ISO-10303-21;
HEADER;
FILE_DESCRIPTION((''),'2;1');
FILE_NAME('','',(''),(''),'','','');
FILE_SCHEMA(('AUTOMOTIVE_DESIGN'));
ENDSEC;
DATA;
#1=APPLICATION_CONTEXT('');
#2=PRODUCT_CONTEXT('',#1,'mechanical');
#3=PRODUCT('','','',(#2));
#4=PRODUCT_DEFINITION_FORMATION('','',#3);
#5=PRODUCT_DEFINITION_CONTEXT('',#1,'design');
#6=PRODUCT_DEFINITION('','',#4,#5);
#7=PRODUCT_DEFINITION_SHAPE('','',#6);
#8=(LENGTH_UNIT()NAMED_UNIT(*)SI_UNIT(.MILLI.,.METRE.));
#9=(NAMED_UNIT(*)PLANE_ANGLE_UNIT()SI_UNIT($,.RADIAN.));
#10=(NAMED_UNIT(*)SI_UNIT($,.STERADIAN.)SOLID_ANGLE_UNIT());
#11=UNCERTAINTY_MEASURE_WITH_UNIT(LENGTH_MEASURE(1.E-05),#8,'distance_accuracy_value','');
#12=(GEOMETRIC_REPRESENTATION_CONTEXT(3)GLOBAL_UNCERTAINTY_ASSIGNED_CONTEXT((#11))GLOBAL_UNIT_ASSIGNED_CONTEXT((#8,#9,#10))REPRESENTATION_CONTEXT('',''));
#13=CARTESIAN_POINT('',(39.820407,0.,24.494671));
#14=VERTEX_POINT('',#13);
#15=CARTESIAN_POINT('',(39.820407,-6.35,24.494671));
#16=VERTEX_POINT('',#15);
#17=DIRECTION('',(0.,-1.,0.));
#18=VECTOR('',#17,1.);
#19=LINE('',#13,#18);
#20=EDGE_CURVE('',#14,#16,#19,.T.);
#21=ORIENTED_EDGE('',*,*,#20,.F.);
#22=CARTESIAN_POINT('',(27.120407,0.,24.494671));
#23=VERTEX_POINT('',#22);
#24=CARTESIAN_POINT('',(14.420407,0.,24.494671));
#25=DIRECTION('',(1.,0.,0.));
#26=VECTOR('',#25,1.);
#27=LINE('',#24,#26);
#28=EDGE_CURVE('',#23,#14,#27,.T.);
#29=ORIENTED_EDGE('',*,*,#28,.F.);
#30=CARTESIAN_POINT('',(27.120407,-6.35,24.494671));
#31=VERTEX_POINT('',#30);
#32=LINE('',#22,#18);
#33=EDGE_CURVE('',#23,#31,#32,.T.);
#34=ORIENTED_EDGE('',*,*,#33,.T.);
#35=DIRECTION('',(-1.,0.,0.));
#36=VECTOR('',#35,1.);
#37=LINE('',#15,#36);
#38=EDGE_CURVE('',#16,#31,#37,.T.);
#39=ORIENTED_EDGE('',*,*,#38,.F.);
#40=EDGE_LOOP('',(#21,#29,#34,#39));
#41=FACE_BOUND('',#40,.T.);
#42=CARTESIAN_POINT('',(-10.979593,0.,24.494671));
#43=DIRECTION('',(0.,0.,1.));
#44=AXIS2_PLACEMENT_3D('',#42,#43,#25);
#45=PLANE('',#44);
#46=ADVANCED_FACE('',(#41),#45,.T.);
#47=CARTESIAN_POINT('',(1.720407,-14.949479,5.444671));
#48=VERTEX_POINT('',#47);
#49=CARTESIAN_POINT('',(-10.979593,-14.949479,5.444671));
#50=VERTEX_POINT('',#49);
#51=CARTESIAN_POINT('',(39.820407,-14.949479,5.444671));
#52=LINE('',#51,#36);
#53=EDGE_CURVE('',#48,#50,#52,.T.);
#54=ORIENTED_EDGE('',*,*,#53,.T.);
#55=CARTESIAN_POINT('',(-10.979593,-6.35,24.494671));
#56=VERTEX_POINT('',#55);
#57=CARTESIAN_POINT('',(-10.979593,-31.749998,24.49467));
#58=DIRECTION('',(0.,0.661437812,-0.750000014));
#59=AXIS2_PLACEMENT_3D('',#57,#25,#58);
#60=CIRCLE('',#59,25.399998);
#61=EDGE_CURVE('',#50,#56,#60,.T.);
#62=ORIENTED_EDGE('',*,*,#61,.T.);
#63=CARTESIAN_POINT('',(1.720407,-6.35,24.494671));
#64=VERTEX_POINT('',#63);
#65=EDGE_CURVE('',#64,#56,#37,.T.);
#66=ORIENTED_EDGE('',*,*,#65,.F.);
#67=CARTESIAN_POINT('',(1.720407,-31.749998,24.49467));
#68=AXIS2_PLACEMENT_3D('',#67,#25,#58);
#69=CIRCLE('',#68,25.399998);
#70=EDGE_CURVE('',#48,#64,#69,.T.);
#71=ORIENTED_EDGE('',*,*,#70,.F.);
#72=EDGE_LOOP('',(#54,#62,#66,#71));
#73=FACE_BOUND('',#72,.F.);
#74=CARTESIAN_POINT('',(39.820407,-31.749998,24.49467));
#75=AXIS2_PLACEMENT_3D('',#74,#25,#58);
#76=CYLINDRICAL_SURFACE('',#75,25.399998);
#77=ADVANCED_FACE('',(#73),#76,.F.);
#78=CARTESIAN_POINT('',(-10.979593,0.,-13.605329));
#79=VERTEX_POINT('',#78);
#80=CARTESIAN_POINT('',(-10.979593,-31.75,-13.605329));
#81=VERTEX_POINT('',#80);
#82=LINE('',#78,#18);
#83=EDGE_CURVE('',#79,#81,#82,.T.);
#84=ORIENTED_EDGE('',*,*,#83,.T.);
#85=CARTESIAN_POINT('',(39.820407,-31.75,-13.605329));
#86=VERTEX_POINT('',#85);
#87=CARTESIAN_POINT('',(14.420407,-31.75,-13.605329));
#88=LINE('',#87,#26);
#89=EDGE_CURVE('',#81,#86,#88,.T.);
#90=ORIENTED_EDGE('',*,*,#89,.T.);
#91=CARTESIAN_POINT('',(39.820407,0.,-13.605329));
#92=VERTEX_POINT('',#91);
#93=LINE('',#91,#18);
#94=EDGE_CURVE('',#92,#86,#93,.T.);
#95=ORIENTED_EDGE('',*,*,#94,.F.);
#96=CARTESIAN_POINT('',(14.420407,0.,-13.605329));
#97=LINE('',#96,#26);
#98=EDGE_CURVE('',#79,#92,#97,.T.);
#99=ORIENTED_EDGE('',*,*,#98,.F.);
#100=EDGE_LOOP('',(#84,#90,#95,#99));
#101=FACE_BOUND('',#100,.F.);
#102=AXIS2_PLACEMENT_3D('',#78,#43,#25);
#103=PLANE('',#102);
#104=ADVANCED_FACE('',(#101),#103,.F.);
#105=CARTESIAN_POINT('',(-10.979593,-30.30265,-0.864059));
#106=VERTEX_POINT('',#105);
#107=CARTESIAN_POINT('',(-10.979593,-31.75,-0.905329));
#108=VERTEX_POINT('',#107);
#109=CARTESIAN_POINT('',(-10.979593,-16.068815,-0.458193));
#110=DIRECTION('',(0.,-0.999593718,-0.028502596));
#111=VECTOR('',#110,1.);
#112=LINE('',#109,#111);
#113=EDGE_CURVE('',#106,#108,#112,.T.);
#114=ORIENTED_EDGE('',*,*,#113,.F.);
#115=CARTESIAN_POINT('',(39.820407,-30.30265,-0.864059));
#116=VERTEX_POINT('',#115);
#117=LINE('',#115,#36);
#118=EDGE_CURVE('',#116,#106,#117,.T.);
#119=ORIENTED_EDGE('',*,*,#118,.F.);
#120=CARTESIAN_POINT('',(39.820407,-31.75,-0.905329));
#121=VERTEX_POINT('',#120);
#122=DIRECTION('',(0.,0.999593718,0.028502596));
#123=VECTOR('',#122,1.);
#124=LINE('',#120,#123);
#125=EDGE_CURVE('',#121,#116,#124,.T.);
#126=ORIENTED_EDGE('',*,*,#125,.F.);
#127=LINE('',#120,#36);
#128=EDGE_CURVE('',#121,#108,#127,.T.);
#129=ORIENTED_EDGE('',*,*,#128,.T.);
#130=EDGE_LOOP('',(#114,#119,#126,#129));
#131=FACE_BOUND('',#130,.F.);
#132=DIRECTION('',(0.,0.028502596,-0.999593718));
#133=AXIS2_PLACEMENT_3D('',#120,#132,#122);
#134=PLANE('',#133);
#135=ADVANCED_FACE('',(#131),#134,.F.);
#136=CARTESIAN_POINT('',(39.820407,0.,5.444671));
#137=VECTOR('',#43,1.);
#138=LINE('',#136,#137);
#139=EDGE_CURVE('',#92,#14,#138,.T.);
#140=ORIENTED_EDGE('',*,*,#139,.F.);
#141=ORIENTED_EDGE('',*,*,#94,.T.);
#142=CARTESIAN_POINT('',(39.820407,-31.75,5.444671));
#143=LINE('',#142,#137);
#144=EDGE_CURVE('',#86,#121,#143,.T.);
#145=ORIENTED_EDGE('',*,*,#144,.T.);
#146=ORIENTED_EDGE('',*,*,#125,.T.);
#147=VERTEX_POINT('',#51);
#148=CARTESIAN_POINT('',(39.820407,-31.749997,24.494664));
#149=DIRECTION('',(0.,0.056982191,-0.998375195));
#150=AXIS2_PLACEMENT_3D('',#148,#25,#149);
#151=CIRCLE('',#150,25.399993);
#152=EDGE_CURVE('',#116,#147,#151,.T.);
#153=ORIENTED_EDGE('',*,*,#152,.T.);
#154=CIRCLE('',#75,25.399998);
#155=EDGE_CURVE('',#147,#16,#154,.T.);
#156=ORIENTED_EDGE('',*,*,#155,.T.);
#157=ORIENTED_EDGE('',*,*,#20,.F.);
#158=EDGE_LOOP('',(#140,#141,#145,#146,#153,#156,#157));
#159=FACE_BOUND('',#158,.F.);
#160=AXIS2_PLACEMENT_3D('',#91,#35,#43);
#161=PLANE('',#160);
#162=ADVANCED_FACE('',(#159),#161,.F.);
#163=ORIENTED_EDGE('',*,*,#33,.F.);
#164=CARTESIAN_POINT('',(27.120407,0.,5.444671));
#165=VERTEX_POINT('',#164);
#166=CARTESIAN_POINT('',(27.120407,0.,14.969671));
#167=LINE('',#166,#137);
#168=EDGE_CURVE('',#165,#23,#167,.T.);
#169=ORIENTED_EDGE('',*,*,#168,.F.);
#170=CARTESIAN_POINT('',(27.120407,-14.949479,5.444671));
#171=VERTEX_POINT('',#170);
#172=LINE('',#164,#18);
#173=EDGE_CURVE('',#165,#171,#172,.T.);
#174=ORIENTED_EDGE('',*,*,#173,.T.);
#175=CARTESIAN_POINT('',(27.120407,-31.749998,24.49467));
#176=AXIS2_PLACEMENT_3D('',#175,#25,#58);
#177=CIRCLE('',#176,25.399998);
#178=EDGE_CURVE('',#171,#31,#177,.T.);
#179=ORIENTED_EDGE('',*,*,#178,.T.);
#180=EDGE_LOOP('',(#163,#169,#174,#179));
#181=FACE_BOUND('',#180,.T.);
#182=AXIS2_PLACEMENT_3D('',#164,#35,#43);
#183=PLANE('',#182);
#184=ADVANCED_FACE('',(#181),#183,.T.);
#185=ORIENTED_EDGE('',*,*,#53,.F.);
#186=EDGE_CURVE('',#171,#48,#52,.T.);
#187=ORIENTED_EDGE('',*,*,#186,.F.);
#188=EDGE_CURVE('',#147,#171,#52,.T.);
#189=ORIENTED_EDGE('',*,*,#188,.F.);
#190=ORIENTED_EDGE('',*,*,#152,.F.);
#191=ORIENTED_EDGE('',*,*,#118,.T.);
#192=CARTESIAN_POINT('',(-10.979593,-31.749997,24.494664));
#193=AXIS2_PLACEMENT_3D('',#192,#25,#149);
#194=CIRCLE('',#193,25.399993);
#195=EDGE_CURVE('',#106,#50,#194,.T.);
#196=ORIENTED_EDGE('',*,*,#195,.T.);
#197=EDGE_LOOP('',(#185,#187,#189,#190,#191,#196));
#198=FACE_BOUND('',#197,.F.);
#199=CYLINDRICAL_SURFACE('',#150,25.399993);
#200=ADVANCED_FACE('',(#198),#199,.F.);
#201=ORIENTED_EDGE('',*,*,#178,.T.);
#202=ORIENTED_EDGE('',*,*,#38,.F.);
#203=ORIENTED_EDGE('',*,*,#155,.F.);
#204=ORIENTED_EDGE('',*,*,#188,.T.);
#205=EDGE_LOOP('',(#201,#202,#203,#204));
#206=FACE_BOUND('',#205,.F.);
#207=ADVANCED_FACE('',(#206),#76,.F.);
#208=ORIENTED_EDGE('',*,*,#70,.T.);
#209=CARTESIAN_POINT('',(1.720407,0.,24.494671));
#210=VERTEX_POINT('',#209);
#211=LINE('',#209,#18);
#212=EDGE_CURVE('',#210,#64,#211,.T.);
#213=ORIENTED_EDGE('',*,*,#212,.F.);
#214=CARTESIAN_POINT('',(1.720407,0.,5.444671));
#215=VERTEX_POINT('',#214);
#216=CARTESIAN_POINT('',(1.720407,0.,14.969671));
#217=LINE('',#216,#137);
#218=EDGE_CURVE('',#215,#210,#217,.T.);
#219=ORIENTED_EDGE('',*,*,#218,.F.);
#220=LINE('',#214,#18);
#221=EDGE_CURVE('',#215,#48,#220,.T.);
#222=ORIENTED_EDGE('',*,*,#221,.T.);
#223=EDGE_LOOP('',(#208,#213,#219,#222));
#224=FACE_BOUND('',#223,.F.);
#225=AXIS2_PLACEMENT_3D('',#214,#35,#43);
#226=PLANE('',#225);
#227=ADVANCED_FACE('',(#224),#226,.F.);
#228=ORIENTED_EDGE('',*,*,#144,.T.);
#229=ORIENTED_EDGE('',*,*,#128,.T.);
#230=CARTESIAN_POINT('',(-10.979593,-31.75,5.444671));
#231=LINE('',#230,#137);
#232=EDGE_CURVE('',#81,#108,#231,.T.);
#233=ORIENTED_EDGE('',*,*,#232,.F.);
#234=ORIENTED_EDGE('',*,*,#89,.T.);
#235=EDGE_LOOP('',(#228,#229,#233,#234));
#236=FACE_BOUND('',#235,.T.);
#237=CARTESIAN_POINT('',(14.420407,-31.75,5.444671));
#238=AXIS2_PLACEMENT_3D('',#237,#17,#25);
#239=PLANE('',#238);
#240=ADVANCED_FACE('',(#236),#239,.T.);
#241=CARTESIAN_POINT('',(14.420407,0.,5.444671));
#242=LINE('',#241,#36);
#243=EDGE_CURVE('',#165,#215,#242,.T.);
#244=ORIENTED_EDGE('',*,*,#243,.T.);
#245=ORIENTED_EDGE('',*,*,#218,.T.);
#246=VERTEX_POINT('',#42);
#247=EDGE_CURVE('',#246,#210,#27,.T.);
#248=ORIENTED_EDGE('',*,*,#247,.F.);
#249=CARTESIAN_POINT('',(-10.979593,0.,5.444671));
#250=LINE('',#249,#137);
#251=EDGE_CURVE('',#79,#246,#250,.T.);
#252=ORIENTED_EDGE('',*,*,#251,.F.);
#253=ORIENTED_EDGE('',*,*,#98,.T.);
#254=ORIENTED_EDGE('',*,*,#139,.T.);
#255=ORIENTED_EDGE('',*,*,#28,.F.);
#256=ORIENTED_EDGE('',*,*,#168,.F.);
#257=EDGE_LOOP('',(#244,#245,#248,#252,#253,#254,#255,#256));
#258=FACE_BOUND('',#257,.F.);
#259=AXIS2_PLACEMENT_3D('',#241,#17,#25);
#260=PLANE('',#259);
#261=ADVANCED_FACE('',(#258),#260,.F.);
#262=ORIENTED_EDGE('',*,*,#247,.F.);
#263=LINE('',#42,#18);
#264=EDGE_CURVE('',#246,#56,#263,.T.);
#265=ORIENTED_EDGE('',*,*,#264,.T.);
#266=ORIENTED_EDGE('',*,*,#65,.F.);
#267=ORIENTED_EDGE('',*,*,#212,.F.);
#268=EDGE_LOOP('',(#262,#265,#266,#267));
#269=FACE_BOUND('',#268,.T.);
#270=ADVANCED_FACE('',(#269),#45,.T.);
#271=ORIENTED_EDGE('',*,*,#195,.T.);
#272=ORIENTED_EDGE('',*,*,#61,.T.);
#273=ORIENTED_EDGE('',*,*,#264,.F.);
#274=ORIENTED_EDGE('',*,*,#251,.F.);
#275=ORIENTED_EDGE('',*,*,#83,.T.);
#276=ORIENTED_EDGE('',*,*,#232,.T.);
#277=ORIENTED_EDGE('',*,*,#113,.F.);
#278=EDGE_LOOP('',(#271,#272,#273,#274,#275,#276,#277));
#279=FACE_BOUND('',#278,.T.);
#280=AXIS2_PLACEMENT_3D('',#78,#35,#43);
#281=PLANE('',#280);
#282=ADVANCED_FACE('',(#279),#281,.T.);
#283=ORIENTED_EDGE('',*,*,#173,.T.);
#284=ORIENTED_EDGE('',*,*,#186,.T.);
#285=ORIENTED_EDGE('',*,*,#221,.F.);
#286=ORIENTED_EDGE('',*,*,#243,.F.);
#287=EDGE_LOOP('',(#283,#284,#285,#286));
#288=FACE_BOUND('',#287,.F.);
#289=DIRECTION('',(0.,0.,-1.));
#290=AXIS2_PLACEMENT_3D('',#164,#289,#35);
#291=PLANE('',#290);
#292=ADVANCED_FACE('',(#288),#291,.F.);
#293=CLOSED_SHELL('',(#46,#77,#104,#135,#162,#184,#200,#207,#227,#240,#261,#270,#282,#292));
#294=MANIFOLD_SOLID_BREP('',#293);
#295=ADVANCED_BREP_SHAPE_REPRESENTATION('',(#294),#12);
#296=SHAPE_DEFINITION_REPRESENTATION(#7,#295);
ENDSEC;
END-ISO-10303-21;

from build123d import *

# Parameters (mm, degrees)
F0_W     = 50.8
F0_H     = 38.1
F1_DEPTH = 31.75
F3_DEPTH = 254
F4_W     = 25.4
F4_H     = 19.05
F5_DEPTH = 25.4


with BuildPart() as f1:
    # F0 (on Front) → F1 (new body)
    with BuildSketch(Plane.XZ):
        with Locations((14.420407, 5.444671)):
            Rectangle(F0_W, F0_H)
    extrude(amount=F1_DEPTH)

    # F2 (on face) → F3 (cut)
    with BuildSketch(Plane.YZ.offset(39.820407)):
        with BuildLine():
            ThreePointArc((-30.30265, -0.864059), (-22.096181, 1.000761), (-14.949479, 5.444671))
            ThreePointArc((-14.949479, 5.444671), (-8.599479, 14.04415), (-6.35, 24.494671))
            Line((-6.35, 24.494671), (-31.75, 24.494671))
            Line((-31.75, 24.494671), (-31.75, -0.905329))
            Line((-31.75, -0.905329), (-30.30265, -0.864059))
        make_face()
    extrude(amount=-F3_DEPTH, mode=Mode.SUBTRACT)

    # F4 (on face) → F5 (cut)
    with BuildSketch(Plane(origin=(0, 0, 0), x_dir=(-1, 0, 0), z_dir=(0, 1, 0))):
        with Locations((-14.420407, 14.969671)):
            Rectangle(F4_W, F4_H)
    extrude(amount=-F5_DEPTH, mode=Mode.SUBTRACT)


solid = f1.part
